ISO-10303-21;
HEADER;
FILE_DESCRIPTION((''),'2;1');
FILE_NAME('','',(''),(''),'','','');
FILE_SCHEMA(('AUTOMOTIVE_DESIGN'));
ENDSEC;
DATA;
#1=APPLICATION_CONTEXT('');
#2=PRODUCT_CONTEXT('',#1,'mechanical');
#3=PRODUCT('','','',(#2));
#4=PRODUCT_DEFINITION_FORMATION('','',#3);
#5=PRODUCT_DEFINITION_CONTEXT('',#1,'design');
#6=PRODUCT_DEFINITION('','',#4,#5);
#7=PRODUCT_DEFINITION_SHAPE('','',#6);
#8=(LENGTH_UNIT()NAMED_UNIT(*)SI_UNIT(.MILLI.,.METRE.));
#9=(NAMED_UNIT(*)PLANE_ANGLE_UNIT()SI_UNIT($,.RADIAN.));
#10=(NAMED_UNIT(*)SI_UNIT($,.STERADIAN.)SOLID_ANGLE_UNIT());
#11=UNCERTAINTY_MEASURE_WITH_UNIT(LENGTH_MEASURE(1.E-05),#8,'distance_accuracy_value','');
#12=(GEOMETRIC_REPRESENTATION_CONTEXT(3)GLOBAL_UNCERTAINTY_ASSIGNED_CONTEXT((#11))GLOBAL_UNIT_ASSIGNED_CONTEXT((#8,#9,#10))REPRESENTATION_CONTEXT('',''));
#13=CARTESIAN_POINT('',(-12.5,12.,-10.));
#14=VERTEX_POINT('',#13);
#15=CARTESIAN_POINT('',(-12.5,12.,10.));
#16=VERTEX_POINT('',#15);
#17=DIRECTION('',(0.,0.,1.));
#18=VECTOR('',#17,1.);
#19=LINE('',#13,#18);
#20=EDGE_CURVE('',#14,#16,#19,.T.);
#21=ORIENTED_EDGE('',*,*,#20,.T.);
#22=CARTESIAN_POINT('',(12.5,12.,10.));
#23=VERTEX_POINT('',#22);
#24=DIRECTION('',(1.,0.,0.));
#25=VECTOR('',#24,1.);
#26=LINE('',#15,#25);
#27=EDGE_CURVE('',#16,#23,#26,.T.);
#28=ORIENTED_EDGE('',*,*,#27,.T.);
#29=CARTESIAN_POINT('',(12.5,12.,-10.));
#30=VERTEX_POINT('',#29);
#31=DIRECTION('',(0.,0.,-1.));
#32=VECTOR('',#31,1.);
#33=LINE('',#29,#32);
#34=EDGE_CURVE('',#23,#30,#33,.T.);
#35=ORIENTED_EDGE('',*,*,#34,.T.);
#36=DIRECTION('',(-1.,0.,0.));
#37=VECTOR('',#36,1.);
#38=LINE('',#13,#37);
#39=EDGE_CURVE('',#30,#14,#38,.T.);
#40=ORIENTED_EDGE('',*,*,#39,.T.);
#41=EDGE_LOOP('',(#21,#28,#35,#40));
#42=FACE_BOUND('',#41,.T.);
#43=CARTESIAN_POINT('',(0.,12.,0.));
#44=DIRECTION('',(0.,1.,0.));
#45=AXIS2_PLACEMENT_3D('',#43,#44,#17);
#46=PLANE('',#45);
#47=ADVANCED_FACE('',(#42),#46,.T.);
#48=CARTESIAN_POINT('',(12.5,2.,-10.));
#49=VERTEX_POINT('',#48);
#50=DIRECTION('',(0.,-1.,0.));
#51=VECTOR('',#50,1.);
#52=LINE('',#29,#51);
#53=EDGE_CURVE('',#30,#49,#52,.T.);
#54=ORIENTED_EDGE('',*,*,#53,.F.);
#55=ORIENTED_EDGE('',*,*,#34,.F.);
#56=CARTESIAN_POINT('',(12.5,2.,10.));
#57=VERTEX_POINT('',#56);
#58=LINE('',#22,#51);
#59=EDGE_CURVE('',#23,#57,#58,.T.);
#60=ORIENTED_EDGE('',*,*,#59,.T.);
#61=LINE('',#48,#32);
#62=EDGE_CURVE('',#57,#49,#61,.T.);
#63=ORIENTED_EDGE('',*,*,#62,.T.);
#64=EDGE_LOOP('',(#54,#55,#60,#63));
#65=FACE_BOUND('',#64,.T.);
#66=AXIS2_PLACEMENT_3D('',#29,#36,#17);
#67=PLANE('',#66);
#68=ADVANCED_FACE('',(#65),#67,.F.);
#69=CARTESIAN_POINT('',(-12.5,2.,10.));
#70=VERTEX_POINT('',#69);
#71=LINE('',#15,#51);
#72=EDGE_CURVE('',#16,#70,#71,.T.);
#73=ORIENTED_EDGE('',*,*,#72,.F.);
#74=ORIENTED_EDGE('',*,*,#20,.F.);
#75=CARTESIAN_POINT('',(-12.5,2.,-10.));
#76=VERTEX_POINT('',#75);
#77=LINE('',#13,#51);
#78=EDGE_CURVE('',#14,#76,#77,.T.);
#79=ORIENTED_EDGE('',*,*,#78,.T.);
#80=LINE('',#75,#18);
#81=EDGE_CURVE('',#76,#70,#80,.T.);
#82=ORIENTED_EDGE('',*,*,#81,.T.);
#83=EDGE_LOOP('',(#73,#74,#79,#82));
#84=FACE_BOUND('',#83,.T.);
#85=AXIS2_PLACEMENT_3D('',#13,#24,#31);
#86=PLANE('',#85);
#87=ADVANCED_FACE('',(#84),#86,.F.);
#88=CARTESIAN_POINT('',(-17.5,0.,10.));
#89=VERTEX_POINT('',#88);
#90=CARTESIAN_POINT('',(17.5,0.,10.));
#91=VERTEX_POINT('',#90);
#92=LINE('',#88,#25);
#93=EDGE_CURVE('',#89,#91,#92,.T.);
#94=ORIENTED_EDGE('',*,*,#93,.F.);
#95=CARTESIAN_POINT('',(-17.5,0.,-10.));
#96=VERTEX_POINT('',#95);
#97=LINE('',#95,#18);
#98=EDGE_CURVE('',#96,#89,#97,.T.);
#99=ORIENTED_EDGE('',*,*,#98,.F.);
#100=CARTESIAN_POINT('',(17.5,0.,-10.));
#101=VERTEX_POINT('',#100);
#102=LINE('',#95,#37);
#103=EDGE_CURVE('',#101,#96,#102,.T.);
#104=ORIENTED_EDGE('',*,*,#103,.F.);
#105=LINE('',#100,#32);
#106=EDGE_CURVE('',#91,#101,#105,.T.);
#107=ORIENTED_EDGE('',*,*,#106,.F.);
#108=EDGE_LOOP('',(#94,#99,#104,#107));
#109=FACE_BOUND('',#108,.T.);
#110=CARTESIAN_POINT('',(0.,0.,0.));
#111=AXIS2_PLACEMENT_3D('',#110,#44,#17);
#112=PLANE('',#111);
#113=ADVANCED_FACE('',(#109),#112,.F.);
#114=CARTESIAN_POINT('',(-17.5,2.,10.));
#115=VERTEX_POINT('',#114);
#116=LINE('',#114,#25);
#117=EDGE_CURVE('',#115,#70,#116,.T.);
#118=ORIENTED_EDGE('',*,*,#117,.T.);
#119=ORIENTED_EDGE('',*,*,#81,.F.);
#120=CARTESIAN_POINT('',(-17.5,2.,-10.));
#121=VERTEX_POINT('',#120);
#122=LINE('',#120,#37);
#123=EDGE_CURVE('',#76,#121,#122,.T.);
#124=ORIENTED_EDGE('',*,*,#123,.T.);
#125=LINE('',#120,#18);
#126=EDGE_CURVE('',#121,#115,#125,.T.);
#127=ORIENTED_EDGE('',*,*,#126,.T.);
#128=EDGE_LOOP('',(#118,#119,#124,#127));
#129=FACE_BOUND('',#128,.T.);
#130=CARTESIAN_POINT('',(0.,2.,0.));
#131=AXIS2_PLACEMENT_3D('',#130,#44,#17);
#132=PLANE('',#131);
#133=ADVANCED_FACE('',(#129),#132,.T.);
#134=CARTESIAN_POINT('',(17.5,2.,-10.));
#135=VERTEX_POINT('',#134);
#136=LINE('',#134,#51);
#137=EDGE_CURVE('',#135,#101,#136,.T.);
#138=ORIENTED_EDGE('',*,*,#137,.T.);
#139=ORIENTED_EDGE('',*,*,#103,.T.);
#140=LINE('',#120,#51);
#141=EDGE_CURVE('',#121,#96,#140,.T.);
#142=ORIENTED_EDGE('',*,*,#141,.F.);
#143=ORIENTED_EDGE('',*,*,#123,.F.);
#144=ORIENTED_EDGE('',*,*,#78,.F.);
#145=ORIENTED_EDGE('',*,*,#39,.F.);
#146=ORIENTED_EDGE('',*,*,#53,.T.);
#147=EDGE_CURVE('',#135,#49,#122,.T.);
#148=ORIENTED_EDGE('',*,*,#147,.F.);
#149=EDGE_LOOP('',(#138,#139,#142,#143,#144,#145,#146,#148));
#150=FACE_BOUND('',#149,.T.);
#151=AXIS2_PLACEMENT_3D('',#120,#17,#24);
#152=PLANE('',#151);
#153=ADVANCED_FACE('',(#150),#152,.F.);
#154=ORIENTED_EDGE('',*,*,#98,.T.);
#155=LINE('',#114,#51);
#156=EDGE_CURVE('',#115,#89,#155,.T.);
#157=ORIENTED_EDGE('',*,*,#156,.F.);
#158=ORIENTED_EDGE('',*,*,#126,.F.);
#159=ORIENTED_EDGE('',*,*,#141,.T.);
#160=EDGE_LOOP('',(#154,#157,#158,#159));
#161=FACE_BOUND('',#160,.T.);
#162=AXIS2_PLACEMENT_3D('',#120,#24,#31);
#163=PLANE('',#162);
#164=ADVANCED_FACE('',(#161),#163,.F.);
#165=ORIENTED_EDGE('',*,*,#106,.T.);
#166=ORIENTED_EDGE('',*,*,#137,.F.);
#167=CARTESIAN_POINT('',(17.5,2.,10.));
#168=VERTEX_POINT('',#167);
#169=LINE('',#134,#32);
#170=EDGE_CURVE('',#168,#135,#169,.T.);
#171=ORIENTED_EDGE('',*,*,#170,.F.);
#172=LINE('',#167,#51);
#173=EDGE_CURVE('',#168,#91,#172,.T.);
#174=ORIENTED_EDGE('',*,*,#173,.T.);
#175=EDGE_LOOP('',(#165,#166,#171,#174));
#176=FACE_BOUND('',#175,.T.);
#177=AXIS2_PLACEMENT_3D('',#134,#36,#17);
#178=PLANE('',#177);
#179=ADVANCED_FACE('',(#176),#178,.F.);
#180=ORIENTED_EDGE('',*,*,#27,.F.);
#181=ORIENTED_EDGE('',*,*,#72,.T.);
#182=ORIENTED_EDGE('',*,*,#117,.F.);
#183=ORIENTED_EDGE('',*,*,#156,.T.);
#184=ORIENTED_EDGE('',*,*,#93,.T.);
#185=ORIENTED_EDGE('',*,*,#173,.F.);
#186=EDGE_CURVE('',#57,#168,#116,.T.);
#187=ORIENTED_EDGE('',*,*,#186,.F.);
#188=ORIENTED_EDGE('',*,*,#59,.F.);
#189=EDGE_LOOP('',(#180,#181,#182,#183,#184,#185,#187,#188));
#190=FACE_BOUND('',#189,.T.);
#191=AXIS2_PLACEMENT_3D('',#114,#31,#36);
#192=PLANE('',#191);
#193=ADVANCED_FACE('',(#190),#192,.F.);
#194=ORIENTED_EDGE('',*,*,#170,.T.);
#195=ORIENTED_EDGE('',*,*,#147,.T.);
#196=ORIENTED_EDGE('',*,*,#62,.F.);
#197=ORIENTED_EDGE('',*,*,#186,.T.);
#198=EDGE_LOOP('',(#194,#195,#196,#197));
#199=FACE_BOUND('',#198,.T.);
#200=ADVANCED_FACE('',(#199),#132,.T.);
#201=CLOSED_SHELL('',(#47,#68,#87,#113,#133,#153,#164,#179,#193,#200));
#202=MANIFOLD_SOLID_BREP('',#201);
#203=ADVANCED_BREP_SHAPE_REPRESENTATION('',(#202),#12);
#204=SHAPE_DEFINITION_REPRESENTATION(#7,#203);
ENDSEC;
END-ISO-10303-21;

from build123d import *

# Parameters (mm, degrees)
SKETCH_1_W      = 35
SKETCH_1_H      = 20
EXTRUDE_1_DEPTH = 2
SKETCH_2_W      = 25
SKETCH_2_H      = 20
EXTRUDE_2_DEPTH = 10


with BuildPart() as part:
    # 草图1 → 凸台-拉伸1 (new body)
    with BuildSketch(Plane(origin=(0, 0, 0), x_dir=(1, 0, 0), z_dir=(0, 1, 0))):
        Rectangle(SKETCH_1_W, SKETCH_1_H)
    extrude(amount=EXTRUDE_1_DEPTH)

    # 草图2 → 凸台-拉伸2 (add)
    with BuildSketch(Plane(origin=(0, 2, 0), x_dir=(1, 0, 0), z_dir=(0, 1, 0))):
        Rectangle(SKETCH_2_W, SKETCH_2_H)
    extrude(amount=EXTRUDE_2_DEPTH)


solid = part.part
